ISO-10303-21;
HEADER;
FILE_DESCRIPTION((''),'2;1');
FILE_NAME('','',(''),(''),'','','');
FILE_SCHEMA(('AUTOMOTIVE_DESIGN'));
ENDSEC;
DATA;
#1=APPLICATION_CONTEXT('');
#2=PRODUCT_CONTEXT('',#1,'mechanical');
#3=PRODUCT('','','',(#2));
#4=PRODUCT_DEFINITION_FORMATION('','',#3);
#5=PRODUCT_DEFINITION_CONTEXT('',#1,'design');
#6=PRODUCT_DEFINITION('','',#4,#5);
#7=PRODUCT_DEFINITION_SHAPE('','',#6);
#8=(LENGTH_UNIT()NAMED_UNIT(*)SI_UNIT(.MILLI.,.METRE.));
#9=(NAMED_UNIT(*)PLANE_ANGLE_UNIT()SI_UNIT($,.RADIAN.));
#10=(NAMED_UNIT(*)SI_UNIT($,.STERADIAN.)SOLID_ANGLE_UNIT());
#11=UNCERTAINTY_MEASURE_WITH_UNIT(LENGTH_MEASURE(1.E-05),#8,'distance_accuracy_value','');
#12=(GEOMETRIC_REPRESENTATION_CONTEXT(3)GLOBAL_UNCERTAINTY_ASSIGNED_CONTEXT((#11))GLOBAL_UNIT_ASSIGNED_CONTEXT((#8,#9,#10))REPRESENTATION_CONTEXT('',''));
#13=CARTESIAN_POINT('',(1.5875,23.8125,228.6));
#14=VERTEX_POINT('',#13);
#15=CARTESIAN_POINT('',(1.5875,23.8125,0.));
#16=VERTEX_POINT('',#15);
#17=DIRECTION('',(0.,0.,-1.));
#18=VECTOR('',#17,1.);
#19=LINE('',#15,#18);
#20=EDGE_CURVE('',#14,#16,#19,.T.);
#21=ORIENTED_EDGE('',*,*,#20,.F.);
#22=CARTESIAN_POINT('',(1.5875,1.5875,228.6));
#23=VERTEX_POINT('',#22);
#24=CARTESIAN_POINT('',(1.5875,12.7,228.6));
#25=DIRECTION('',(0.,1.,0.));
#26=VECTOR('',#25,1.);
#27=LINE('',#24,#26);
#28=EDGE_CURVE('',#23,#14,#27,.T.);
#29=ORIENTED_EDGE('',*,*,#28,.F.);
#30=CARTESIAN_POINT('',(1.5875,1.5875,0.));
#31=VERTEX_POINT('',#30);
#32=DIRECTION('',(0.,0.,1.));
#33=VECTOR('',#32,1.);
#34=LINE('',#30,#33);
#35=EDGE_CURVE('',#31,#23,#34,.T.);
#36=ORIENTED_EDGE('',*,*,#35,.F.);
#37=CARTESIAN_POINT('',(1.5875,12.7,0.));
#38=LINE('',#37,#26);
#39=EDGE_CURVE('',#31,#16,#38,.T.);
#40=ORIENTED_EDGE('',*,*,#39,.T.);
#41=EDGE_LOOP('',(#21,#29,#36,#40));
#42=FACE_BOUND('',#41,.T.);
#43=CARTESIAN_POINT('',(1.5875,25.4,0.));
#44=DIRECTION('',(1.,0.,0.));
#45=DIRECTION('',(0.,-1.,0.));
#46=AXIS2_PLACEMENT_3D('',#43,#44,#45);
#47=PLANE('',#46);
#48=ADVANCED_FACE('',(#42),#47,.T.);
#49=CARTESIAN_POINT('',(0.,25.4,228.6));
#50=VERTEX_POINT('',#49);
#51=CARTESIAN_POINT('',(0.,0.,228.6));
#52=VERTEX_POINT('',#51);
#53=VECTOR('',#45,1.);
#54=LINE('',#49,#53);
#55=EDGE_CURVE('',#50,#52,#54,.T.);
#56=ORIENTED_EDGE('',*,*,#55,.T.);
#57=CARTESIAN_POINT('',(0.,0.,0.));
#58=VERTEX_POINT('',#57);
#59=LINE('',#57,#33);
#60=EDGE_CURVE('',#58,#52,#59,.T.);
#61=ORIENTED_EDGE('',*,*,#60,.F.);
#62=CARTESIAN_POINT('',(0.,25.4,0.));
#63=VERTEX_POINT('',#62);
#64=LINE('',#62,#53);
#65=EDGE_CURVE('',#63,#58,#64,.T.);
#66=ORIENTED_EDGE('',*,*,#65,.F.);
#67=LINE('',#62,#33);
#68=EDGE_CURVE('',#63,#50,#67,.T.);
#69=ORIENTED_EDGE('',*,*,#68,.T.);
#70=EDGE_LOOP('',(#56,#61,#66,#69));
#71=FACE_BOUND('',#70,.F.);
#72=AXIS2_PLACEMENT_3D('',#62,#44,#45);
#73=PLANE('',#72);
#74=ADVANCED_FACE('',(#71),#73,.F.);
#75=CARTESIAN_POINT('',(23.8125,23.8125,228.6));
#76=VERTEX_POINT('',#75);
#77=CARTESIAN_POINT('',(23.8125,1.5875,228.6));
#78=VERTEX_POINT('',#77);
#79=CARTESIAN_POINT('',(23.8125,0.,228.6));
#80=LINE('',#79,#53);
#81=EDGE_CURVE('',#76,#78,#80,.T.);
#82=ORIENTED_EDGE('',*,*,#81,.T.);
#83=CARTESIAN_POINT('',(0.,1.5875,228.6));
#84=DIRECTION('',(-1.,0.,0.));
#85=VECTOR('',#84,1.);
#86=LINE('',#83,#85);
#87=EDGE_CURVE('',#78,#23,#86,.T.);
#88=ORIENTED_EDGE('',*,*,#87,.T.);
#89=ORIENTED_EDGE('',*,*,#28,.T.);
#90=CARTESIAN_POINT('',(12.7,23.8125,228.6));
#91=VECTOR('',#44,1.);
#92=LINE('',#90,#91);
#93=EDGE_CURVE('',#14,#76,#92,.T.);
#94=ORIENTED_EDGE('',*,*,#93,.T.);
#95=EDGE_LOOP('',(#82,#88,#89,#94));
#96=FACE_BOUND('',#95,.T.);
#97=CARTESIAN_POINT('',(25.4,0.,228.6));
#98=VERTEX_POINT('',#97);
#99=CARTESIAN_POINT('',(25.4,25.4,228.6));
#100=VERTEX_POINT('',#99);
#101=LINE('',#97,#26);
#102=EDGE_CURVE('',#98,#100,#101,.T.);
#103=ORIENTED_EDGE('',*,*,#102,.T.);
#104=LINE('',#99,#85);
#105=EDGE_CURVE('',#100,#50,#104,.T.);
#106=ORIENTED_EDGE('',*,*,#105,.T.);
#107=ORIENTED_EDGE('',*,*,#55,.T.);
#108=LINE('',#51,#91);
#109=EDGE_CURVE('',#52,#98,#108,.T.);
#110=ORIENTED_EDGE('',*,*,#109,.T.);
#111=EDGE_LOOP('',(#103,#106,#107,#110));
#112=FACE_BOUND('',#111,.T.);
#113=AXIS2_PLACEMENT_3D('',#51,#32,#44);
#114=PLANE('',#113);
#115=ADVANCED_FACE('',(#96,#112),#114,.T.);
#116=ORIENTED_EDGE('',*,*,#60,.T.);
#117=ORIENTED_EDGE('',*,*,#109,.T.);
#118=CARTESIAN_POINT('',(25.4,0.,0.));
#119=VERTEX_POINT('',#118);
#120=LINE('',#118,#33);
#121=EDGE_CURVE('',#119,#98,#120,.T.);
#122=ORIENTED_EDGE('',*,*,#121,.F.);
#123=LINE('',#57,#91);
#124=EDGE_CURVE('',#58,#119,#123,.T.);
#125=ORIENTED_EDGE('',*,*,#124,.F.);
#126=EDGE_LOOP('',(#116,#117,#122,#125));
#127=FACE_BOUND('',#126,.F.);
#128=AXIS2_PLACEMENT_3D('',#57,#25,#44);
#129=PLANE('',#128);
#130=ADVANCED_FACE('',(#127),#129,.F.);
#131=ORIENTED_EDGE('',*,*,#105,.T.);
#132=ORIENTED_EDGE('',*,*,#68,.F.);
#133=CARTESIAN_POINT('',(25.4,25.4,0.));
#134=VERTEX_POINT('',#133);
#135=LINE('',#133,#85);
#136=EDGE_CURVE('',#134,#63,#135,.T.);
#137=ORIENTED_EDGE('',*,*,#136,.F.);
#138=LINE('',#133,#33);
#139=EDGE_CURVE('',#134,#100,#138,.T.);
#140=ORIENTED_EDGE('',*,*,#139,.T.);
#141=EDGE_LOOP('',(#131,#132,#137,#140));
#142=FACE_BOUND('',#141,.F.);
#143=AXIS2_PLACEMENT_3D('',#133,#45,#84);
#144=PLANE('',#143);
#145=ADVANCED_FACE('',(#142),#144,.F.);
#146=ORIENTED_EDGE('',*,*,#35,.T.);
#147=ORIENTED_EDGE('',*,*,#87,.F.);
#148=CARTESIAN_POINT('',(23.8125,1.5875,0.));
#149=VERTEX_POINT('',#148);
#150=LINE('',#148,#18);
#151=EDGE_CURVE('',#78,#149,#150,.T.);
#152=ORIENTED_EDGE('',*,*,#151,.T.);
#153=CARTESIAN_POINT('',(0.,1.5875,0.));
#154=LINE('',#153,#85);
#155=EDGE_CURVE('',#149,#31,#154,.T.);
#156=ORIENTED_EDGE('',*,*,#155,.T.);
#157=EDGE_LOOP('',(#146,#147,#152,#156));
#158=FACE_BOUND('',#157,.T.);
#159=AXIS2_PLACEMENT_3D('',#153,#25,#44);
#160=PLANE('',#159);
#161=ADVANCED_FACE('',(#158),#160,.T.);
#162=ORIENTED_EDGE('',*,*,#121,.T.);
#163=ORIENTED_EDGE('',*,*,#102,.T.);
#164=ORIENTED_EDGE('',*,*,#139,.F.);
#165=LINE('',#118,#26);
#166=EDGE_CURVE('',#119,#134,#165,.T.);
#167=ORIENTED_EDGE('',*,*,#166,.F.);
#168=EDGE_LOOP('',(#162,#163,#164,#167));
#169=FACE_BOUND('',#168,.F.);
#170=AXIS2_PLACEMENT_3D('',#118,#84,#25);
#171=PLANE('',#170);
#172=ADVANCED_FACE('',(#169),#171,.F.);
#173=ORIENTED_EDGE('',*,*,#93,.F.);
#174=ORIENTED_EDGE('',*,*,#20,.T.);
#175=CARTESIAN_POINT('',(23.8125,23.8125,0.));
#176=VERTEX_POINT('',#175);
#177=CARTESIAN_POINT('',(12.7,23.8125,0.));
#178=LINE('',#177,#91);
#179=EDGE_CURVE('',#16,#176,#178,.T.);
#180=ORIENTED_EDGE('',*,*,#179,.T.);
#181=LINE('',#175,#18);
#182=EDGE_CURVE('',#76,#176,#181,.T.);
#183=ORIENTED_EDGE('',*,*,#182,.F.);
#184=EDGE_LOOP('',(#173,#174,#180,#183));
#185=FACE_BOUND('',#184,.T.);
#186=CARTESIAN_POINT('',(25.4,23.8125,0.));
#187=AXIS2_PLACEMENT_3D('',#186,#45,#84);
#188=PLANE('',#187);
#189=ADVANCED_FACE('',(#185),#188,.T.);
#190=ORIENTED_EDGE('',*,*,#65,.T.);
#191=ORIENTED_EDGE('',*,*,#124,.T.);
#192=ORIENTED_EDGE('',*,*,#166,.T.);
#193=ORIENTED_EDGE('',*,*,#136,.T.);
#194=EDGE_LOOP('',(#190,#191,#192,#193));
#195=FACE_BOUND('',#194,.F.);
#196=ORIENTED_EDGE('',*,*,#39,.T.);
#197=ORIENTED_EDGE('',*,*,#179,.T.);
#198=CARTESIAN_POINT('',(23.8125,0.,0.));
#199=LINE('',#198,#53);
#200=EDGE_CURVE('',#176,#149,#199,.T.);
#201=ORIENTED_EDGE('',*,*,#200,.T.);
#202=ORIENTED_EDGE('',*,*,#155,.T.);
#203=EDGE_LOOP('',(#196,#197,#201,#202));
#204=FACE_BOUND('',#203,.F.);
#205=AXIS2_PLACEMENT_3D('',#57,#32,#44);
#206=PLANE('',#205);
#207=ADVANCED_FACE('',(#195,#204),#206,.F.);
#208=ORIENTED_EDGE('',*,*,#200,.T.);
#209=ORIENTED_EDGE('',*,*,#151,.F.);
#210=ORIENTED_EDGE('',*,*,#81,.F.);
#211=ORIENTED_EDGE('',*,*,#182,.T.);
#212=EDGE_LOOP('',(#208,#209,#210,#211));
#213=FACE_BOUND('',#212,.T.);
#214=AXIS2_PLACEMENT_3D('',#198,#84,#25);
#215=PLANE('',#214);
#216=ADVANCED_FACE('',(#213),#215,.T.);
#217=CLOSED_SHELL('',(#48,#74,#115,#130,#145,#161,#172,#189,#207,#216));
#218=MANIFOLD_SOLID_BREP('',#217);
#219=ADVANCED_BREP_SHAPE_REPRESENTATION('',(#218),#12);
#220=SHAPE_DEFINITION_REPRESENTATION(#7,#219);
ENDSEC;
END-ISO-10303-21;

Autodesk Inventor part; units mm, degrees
ref_plane "YZ Plane" through (0, 0, 0) normal (1, 0, 0) x (0, 1, 0)
ref_plane "XZ Plane" through (0, 0, 0) normal (0, 1, 0) x (-1, 0, 0)
ref_plane "XY Plane" through (0, 0, 0) normal (0, 0, 1) x (1, 0, 0)
sketch "Sketch1" plane through (0, 0, 0) normal (0, 0, 1) x (1, 0, 0)
  line L0 (0, 0) -> (25.4, 0)
  line L1 (25.4, 0) -> (25.4, 25.4)
  line L2 (25.4, 25.4) -> (0, 25.4)
  line L3 (0, 25.4) -> (0, 0)
  dimension "d0" = 25.4
  dimension "d1" = 25.4
extrude "Extrusion1" add sketch "Sketch1" along normal blind 228.6
shell "Shell1" thickness 1.5875 removed faces 2 at (8.4667, 16.9333, 0) at (8.4667, 16.9333, 228.6)
properties part number "Frame_UpperCrossFrame" material "Aluminum-6061"
